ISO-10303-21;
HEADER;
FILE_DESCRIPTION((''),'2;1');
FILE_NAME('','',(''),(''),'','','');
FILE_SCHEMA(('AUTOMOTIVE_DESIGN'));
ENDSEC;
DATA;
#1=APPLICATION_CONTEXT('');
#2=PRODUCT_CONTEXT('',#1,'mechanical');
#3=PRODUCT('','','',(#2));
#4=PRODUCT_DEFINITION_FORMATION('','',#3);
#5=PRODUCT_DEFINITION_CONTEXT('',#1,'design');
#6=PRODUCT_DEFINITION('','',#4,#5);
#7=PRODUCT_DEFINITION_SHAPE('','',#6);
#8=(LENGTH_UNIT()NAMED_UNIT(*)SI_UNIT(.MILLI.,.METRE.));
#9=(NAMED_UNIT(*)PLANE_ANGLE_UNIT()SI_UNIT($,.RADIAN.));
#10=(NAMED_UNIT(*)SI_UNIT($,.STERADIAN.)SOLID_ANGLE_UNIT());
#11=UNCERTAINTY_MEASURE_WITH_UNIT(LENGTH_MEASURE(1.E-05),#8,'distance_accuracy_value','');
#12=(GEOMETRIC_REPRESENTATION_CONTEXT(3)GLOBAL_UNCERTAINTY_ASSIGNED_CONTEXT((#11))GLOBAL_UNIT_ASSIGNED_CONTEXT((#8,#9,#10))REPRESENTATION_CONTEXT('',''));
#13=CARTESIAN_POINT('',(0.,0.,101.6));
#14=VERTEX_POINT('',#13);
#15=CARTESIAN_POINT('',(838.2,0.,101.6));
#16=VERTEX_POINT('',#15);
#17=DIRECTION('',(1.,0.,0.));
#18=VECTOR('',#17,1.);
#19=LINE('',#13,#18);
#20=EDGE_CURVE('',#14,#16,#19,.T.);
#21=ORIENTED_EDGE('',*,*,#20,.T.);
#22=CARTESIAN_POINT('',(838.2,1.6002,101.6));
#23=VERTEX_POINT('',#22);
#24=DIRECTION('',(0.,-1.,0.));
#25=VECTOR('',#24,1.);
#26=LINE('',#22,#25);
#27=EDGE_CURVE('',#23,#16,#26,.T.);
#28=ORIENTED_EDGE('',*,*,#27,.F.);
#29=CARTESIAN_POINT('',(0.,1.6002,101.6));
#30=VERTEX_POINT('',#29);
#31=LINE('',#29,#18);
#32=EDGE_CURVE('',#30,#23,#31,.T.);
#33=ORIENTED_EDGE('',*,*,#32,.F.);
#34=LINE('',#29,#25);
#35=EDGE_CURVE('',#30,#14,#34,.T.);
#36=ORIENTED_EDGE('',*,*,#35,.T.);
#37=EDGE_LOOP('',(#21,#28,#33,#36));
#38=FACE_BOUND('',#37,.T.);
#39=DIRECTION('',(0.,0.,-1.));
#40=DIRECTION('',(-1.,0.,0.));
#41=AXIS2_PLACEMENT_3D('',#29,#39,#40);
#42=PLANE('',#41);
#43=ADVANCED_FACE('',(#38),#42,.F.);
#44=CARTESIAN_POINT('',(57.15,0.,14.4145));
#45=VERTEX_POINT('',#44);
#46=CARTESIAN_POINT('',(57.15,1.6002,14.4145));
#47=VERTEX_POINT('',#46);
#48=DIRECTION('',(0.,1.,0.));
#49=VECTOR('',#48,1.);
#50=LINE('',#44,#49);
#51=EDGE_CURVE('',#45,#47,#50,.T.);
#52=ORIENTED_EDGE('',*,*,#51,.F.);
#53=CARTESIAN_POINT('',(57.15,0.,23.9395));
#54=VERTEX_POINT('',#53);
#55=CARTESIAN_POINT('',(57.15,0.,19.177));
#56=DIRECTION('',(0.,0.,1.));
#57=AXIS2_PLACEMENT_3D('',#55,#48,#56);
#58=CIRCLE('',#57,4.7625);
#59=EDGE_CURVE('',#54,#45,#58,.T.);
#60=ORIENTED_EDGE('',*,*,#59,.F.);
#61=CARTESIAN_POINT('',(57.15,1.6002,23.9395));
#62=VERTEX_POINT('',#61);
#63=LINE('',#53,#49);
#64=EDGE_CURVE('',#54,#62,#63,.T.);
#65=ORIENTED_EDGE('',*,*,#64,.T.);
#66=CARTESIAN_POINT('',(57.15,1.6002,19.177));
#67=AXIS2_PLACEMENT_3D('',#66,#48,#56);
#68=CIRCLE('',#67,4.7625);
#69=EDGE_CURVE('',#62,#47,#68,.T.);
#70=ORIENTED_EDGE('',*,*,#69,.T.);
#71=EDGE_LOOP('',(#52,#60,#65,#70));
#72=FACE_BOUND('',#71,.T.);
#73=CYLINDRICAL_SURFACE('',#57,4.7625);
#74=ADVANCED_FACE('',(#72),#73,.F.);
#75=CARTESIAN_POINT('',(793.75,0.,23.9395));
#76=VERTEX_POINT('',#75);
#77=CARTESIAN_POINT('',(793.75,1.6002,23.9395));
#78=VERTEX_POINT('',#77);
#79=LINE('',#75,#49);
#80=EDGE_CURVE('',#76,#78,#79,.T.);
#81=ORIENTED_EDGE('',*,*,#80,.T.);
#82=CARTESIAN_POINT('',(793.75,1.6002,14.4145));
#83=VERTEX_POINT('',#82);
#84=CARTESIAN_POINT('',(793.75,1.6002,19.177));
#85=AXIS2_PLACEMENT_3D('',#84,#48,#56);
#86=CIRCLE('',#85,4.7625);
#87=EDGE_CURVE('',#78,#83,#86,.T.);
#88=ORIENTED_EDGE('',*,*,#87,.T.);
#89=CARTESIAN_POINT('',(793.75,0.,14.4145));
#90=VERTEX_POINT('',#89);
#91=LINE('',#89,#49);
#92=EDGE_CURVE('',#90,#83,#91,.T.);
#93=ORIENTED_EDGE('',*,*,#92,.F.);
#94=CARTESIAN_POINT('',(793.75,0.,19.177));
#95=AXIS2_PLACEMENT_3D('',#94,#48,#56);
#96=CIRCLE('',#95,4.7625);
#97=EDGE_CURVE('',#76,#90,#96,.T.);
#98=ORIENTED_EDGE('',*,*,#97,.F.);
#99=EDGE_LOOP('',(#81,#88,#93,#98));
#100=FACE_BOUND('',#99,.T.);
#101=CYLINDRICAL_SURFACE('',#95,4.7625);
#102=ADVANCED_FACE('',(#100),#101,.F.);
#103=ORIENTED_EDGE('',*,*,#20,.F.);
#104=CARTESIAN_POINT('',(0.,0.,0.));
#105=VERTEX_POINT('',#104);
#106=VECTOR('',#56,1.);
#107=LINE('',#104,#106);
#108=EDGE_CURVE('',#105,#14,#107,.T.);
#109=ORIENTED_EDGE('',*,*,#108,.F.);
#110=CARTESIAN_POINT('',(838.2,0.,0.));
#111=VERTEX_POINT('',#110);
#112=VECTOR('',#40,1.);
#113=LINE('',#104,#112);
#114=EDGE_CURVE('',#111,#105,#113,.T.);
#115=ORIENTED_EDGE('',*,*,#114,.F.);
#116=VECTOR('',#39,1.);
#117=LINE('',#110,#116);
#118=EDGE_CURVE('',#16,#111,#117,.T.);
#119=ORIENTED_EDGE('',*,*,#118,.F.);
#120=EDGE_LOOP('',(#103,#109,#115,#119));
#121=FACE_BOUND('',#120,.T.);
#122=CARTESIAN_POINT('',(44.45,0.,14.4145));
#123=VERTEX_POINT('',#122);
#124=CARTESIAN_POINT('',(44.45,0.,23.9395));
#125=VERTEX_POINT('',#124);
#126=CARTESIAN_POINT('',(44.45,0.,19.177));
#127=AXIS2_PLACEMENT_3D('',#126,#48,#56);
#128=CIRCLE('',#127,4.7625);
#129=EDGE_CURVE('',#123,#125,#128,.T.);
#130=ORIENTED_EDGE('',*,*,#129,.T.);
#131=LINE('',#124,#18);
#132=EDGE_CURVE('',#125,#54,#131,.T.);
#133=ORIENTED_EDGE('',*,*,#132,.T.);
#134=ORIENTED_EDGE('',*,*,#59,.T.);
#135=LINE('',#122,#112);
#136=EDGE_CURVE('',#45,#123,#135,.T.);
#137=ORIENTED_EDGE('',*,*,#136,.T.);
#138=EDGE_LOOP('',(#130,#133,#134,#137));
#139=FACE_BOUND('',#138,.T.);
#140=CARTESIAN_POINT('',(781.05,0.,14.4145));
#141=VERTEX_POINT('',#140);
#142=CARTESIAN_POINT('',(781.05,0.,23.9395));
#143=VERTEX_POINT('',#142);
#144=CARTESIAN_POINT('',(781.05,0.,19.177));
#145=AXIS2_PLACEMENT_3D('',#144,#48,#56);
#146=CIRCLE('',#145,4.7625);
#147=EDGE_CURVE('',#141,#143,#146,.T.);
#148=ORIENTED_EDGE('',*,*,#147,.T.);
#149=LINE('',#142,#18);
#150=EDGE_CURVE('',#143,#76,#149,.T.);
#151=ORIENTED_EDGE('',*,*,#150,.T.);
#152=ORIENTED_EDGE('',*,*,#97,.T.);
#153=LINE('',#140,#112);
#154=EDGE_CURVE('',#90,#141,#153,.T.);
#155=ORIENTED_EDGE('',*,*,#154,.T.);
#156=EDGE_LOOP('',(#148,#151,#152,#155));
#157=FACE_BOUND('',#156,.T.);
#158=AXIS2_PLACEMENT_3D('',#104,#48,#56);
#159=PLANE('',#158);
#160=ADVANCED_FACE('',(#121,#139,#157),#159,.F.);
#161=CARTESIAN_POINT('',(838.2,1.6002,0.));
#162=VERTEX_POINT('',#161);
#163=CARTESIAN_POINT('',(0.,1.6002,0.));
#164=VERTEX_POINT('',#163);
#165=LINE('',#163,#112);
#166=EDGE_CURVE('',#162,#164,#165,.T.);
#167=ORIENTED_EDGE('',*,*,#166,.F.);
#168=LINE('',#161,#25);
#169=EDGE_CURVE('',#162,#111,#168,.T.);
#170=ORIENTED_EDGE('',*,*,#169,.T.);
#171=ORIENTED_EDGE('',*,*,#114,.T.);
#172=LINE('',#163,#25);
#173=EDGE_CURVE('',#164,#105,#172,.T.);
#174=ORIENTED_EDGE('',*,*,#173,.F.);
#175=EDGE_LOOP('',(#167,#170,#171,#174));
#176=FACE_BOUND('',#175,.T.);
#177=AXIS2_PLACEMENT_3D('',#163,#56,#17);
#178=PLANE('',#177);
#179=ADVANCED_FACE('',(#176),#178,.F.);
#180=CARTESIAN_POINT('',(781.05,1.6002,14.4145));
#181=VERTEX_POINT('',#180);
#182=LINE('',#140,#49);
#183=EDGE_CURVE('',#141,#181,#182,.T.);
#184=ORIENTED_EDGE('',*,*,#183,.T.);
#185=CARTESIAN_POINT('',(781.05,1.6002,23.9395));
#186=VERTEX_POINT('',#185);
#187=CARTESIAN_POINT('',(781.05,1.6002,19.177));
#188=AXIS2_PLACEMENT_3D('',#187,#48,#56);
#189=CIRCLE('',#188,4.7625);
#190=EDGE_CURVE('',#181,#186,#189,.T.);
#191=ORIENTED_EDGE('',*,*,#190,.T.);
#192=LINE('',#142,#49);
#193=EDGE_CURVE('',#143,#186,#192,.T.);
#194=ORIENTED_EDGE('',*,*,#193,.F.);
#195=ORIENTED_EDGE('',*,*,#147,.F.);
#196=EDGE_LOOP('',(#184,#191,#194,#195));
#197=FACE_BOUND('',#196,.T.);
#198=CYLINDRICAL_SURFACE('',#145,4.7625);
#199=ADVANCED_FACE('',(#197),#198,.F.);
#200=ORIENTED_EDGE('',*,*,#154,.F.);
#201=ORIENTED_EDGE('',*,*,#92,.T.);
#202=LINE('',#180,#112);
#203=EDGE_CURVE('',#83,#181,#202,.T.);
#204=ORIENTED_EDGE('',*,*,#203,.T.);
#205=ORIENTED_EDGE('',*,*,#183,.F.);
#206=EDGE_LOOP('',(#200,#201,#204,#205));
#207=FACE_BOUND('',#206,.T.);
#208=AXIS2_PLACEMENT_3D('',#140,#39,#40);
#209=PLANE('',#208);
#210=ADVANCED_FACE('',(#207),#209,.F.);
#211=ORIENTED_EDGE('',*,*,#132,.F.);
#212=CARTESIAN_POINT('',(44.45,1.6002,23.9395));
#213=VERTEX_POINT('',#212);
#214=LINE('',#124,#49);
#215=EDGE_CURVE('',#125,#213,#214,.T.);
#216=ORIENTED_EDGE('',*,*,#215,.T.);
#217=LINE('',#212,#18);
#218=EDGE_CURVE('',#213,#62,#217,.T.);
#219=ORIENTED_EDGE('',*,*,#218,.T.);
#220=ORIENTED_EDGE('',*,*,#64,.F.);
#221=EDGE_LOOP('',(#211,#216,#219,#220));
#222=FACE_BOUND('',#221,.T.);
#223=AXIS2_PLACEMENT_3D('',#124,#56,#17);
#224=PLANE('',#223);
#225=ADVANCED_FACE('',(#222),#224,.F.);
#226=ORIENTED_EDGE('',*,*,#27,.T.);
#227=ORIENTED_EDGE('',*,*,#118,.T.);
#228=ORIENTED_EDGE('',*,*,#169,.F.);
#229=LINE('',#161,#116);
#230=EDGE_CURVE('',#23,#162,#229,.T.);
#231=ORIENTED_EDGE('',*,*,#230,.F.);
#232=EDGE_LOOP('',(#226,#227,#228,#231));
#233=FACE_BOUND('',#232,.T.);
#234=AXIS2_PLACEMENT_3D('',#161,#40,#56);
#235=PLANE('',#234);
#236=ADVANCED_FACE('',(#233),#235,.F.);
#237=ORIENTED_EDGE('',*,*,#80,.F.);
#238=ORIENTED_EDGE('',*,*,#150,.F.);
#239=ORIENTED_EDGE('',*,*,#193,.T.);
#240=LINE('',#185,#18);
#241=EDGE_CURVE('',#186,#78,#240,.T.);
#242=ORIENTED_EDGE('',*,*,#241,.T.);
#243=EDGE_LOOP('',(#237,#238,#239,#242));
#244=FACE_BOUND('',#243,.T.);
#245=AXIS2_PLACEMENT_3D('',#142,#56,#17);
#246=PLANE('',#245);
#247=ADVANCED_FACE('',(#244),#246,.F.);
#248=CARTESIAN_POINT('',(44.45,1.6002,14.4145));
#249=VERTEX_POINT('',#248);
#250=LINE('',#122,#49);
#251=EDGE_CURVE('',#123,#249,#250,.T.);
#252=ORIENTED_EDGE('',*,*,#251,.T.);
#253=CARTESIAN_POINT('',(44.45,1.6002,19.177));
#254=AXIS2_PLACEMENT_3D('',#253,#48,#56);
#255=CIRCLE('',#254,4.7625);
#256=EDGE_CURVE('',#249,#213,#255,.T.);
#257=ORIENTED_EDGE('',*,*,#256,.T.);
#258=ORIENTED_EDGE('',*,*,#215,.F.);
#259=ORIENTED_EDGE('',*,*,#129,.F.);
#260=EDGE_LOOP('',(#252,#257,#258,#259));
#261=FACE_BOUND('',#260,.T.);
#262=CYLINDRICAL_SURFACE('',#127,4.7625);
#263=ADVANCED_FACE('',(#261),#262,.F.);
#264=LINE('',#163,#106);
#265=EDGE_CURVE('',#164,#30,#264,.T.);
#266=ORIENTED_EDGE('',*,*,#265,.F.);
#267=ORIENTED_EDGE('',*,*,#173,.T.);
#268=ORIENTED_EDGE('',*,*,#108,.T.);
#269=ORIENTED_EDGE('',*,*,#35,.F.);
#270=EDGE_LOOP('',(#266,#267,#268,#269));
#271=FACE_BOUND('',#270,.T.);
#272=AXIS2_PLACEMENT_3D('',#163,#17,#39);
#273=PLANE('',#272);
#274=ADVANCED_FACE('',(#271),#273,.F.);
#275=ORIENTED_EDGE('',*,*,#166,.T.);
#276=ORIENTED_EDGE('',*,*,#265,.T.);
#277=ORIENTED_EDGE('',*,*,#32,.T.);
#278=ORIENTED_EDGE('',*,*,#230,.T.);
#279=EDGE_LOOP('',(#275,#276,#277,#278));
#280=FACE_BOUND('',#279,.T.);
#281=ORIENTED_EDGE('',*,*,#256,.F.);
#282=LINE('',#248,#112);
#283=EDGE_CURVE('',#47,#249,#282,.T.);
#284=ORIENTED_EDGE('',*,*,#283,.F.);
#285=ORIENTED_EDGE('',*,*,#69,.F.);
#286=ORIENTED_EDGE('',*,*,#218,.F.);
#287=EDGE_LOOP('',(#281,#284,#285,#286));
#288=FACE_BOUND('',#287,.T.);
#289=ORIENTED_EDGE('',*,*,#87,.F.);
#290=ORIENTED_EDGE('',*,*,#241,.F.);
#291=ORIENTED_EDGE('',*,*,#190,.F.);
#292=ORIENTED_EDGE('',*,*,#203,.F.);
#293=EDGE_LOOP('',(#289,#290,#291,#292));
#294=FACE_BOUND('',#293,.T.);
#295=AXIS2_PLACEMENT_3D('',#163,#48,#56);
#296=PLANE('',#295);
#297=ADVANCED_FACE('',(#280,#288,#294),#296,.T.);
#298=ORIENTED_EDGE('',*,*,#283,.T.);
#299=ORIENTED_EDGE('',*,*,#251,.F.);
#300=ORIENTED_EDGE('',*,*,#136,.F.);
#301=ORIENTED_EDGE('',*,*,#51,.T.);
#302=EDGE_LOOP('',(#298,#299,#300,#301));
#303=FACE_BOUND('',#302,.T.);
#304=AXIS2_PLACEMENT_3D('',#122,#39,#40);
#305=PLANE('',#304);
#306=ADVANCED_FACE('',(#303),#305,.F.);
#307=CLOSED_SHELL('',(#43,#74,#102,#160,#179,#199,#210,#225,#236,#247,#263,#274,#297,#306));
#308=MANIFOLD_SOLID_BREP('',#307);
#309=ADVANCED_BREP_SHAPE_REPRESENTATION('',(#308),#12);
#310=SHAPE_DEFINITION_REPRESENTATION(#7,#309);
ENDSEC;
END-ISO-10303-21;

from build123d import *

# Parameters (mm, degrees)
SKETCH1_W           = 838.2
SKETCH1_H           = 101.6
BOSS_EXTRUDE1_DEPTH = 1.6002
CUT_EXTRUDE1_DEPTH  = 2.6002


with BuildPart() as part:
    # Sketch1 → Boss-Extrude1 (new body)
    with BuildSketch(Plane(origin=(0, 0, 0), x_dir=(1, 0, 0), z_dir=(0, 1, 0))):
        with Locations((419.1, -50.8)):
            Rectangle(SKETCH1_W, SKETCH1_H)
    extrude(amount=BOSS_EXTRUDE1_DEPTH)

    # Sketch2 → Cut-Extrude1 (cut, through all)
    with BuildSketch(Plane(origin=(0, 1.6002, 0), x_dir=(1, 0, 0), z_dir=(0, 1, 0))):
        with BuildLine():
            Line((44.45, -14.4145), (57.15, -14.4145))
            ThreePointArc((57.15, -14.4145), (61.9125, -19.177), (57.15, -23.9395))
            Line((57.15, -23.9395), (44.45, -23.9395))
            ThreePointArc((44.45, -23.9395), (39.6875, -19.177), (44.45, -14.4145))
        make_face()
        with BuildLine():
            Line((781.05, -14.4145), (793.75, -14.4145))
            ThreePointArc((793.75, -14.4145), (798.5125, -19.177), (793.75, -23.9395))
            Line((793.75, -23.9395), (781.05, -23.9395))
            ThreePointArc((781.05, -23.9395), (776.2875, -19.177), (781.05, -14.4145))
        make_face()
    extrude(amount=-CUT_EXTRUDE1_DEPTH, mode=Mode.SUBTRACT)


solid = part.part
